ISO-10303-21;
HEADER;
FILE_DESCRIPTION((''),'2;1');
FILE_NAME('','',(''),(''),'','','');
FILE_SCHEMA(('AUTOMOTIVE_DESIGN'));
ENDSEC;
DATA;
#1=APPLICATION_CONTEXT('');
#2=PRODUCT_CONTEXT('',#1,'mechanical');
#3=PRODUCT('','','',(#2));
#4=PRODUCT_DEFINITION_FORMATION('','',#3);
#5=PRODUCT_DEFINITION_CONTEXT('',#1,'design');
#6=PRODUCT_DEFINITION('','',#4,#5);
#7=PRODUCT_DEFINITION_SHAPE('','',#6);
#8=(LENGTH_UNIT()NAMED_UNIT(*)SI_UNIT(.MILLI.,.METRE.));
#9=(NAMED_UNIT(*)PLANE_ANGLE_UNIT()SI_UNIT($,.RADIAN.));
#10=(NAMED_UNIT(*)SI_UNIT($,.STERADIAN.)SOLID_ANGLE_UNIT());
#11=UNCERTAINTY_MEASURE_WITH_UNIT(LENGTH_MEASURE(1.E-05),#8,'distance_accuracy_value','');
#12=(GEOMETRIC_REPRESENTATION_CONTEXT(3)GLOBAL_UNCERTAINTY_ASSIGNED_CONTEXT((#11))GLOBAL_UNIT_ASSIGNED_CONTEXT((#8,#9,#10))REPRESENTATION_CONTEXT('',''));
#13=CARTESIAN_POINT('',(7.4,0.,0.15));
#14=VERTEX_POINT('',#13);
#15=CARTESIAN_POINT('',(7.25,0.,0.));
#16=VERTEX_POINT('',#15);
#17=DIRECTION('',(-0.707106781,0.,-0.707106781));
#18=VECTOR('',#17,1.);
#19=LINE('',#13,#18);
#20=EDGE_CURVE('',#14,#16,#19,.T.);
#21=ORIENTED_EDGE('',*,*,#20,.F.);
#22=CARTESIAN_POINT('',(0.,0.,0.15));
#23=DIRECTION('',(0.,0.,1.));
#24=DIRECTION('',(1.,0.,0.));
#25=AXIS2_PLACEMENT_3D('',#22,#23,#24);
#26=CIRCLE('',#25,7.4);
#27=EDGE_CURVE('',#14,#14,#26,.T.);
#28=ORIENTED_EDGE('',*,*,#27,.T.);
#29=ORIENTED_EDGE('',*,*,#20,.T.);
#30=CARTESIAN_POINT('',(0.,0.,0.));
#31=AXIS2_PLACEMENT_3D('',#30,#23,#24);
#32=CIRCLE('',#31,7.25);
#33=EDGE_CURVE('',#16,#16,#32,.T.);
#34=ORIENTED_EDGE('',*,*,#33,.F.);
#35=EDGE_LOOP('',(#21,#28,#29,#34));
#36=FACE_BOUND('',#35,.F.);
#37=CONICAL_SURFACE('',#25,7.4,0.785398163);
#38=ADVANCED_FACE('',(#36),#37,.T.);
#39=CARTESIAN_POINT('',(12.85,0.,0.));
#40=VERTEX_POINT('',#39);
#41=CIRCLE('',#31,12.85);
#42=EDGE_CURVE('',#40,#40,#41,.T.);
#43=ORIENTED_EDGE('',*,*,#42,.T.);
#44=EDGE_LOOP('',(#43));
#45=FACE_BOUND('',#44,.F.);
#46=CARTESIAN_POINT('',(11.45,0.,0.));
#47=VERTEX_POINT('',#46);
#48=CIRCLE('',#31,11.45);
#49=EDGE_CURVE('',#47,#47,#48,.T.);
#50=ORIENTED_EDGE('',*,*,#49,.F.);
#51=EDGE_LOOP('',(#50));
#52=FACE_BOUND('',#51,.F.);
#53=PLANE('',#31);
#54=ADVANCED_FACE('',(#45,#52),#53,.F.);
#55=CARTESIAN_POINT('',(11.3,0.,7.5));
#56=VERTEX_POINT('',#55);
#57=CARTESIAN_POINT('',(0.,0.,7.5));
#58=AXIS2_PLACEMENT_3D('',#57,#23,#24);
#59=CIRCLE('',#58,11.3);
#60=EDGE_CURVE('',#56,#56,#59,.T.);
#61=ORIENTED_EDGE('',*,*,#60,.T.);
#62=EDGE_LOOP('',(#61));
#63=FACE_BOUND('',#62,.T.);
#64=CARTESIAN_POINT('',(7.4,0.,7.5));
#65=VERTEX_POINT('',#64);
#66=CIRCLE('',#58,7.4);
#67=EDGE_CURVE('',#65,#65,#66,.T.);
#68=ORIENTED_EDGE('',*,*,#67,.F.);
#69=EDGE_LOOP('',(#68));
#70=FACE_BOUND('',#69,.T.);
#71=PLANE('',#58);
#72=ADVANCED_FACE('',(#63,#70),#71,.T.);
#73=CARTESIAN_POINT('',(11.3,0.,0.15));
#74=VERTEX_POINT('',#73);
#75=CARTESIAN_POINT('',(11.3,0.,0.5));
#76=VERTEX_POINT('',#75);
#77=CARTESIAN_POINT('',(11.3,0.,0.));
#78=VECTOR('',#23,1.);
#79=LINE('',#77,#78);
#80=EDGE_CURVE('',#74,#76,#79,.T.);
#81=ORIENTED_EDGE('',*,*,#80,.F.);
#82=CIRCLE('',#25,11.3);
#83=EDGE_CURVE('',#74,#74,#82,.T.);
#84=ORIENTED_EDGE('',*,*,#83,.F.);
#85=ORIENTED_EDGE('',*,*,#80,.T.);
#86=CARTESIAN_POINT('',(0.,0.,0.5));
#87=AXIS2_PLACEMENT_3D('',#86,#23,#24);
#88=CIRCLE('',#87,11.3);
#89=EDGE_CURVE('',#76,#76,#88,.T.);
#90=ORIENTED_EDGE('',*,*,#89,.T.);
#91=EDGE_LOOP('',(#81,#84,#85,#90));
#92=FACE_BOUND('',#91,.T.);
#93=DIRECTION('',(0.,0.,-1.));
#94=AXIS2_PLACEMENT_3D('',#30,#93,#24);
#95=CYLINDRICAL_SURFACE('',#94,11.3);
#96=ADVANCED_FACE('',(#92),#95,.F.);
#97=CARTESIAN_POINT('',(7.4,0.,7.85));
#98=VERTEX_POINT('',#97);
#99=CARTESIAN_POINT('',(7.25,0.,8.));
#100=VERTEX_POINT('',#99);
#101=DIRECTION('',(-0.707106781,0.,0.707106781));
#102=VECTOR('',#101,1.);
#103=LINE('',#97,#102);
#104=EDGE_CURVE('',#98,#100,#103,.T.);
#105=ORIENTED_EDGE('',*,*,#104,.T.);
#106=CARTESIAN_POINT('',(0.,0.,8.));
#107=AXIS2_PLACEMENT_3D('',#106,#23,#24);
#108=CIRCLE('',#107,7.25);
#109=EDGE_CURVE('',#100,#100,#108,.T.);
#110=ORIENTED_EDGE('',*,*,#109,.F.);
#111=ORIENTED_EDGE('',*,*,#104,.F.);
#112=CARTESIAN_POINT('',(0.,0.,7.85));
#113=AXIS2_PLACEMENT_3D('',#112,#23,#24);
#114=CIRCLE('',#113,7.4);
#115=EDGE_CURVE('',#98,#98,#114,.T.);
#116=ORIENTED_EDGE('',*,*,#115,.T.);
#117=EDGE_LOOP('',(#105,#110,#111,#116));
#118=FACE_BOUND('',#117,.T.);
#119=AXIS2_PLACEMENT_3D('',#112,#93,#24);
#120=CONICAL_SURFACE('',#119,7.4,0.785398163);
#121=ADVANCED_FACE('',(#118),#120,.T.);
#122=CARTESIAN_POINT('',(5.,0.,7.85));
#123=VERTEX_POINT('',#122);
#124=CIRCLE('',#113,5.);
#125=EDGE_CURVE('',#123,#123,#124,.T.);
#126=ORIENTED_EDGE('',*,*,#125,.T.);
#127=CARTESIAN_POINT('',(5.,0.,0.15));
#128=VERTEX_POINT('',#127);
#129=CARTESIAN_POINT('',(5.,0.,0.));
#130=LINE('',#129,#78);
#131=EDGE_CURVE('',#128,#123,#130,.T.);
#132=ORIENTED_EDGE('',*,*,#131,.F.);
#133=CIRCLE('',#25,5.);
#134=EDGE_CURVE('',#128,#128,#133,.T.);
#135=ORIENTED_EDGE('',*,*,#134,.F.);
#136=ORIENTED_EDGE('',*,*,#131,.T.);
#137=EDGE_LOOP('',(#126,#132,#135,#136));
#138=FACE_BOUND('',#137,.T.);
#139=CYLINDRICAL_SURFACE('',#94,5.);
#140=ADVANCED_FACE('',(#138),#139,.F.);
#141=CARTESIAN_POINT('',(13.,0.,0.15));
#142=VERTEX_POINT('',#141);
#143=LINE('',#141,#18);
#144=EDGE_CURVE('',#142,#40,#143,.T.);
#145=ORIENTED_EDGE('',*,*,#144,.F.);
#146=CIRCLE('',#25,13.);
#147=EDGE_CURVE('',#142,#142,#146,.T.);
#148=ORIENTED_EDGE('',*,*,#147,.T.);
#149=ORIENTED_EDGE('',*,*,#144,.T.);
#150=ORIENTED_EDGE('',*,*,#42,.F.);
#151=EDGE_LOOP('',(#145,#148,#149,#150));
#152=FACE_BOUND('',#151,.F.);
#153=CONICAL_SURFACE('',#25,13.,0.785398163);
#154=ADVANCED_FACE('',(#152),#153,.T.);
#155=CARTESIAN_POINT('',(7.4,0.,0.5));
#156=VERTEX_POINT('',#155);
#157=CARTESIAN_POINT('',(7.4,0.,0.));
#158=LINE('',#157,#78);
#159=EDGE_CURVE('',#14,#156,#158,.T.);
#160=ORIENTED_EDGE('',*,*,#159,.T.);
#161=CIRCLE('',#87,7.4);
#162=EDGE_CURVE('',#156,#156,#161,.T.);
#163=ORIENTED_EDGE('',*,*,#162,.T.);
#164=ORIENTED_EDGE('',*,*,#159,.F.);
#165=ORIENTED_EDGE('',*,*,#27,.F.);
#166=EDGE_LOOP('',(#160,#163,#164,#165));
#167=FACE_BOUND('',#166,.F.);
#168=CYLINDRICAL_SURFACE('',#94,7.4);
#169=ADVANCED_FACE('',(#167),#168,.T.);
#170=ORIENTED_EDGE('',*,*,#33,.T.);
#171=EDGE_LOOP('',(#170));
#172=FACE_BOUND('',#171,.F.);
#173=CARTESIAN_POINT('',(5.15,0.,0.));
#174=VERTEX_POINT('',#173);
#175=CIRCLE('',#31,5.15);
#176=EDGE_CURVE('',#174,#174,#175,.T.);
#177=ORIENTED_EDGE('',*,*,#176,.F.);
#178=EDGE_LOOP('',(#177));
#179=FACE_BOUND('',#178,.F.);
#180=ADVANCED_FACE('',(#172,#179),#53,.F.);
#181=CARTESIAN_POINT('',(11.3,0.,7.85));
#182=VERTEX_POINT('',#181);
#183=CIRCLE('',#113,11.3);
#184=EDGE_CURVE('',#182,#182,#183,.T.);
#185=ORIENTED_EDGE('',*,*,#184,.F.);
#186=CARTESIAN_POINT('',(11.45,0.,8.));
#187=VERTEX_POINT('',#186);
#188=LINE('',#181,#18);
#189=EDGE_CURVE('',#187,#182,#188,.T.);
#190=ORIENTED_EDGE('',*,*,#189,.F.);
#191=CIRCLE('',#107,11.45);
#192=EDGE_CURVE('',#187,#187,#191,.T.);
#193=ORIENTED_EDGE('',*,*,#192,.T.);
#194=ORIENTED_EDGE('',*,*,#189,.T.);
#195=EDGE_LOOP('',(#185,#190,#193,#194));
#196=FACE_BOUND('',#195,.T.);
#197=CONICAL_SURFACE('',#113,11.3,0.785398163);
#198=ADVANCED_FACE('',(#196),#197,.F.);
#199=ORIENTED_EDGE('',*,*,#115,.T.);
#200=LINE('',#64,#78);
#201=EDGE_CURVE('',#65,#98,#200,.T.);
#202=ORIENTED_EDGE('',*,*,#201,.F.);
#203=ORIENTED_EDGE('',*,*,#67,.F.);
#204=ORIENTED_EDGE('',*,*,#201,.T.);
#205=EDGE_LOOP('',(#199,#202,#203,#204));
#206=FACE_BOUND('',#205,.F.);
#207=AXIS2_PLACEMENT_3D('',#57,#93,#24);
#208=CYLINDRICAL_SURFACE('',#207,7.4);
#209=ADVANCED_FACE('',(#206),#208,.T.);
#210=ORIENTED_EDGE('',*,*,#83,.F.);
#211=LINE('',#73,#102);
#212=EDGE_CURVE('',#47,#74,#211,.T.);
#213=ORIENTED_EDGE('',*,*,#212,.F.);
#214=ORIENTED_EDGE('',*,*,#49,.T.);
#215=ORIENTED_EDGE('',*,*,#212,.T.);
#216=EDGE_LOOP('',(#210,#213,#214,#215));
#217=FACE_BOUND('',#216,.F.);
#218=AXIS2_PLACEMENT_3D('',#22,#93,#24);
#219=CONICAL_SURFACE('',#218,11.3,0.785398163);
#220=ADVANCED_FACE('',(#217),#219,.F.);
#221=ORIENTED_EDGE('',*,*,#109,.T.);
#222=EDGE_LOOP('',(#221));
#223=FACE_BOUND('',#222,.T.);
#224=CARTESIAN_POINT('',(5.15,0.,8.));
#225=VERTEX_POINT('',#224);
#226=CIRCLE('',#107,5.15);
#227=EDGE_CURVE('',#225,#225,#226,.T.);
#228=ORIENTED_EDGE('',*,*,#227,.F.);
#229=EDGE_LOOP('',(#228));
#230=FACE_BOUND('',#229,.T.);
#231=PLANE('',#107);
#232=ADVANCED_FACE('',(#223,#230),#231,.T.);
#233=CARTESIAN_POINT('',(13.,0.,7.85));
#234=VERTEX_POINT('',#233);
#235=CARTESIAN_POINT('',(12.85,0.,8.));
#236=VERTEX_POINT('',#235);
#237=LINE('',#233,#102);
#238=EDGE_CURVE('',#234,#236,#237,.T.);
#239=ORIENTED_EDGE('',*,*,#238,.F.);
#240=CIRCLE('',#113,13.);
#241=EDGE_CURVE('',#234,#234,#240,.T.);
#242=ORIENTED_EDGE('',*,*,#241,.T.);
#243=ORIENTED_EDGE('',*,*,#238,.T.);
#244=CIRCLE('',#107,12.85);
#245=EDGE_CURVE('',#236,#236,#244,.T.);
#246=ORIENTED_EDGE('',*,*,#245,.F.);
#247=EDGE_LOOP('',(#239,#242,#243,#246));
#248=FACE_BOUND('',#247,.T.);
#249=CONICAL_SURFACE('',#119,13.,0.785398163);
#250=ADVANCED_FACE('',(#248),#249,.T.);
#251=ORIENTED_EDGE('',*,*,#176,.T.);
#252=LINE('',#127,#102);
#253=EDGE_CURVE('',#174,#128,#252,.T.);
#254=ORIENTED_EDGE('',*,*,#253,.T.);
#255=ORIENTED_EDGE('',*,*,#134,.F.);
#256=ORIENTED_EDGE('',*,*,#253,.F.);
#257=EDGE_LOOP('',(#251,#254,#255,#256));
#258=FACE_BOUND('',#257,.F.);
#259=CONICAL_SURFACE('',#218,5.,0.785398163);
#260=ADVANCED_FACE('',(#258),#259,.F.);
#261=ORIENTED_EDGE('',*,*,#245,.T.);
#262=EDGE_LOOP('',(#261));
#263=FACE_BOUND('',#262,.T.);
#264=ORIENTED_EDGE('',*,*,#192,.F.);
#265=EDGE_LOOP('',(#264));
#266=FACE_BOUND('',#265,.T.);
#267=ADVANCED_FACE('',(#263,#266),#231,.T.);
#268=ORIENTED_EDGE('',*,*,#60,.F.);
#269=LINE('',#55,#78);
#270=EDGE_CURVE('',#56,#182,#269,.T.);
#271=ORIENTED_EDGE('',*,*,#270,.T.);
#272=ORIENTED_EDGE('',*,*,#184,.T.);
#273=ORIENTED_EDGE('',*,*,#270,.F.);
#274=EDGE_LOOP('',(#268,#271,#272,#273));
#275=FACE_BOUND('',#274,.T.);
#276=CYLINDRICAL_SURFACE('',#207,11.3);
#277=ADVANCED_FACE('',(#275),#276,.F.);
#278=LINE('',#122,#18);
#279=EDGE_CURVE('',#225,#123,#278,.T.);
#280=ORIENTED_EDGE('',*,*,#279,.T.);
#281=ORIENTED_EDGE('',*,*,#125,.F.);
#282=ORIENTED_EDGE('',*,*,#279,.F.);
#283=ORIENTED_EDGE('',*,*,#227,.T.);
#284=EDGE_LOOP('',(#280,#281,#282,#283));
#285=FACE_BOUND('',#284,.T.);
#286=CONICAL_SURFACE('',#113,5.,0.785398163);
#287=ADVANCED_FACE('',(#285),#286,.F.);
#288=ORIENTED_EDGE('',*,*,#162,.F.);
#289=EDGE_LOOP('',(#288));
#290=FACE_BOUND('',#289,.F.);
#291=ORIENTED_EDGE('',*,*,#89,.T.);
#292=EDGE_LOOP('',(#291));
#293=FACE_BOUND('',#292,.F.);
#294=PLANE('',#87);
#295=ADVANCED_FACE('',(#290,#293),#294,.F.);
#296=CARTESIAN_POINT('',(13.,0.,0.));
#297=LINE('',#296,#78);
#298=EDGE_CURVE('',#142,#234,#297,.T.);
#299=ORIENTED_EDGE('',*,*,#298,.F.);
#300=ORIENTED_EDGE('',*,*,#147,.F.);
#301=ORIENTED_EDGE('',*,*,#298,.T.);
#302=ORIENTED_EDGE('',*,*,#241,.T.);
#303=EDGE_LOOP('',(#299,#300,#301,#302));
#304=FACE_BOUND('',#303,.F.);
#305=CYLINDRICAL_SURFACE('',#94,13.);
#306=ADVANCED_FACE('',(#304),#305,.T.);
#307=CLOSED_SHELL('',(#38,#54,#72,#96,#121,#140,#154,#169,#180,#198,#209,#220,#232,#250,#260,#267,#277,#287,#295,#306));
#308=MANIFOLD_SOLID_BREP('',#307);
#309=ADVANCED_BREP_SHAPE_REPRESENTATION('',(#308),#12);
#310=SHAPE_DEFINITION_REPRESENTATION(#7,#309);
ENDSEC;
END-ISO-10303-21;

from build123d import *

# Parameters (mm, degrees)
F0_R     = 13
F0_R_2   = 11.3
F0_R_3   = 7.4
F0_R_4   = 5
F1_DEPTH = 8
F2_DEPTH = 0.5
F3_START = 7.5
F3_DEPTH = 0.5
F4_SIZE  = 0.15


with BuildPart() as f1:
    # F0 (on Top) → F1 (new body)
    with BuildSketch(Plane.XY):
        Circle(F0_R)
        Circle(F0_R_2, mode=Mode.SUBTRACT)
        Circle(F0_R_2)
        Circle(F0_R_3, mode=Mode.SUBTRACT)
        Circle(F0_R_3)
        Circle(F0_R_4, mode=Mode.SUBTRACT)
    extrude(amount=F1_DEPTH)

    # F0 (on Top) → F2 (cut)
    with BuildSketch(Plane.XY):
        Circle(F0_R_2)
        Circle(F0_R_3, mode=Mode.SUBTRACT)
    extrude(amount=F2_DEPTH, mode=Mode.SUBTRACT)

    # F0 (on Top) → F3 (cut)
    with BuildSketch(Plane.XY.offset(F3_START)):
        Circle(F0_R_2)
        Circle(F0_R_3, mode=Mode.SUBTRACT)
    extrude(amount=F3_DEPTH, mode=Mode.SUBTRACT)

    # F4
    f4_edges = [f1.edges().sort_by_distance(p)[0] for p in [
        (-13, 0, 0),
        (-11.3, 0, 0),
        (-7.4, 0, 0),
        (-5, 0, 0),
        (-13, 0, 8),
        (-11.3, 0, 8),
        (-7.4, 0, 8),
        (-5, 0, 8),
    ]]
    chamfer(f4_edges, length=F4_SIZE)


solid = f1.part
